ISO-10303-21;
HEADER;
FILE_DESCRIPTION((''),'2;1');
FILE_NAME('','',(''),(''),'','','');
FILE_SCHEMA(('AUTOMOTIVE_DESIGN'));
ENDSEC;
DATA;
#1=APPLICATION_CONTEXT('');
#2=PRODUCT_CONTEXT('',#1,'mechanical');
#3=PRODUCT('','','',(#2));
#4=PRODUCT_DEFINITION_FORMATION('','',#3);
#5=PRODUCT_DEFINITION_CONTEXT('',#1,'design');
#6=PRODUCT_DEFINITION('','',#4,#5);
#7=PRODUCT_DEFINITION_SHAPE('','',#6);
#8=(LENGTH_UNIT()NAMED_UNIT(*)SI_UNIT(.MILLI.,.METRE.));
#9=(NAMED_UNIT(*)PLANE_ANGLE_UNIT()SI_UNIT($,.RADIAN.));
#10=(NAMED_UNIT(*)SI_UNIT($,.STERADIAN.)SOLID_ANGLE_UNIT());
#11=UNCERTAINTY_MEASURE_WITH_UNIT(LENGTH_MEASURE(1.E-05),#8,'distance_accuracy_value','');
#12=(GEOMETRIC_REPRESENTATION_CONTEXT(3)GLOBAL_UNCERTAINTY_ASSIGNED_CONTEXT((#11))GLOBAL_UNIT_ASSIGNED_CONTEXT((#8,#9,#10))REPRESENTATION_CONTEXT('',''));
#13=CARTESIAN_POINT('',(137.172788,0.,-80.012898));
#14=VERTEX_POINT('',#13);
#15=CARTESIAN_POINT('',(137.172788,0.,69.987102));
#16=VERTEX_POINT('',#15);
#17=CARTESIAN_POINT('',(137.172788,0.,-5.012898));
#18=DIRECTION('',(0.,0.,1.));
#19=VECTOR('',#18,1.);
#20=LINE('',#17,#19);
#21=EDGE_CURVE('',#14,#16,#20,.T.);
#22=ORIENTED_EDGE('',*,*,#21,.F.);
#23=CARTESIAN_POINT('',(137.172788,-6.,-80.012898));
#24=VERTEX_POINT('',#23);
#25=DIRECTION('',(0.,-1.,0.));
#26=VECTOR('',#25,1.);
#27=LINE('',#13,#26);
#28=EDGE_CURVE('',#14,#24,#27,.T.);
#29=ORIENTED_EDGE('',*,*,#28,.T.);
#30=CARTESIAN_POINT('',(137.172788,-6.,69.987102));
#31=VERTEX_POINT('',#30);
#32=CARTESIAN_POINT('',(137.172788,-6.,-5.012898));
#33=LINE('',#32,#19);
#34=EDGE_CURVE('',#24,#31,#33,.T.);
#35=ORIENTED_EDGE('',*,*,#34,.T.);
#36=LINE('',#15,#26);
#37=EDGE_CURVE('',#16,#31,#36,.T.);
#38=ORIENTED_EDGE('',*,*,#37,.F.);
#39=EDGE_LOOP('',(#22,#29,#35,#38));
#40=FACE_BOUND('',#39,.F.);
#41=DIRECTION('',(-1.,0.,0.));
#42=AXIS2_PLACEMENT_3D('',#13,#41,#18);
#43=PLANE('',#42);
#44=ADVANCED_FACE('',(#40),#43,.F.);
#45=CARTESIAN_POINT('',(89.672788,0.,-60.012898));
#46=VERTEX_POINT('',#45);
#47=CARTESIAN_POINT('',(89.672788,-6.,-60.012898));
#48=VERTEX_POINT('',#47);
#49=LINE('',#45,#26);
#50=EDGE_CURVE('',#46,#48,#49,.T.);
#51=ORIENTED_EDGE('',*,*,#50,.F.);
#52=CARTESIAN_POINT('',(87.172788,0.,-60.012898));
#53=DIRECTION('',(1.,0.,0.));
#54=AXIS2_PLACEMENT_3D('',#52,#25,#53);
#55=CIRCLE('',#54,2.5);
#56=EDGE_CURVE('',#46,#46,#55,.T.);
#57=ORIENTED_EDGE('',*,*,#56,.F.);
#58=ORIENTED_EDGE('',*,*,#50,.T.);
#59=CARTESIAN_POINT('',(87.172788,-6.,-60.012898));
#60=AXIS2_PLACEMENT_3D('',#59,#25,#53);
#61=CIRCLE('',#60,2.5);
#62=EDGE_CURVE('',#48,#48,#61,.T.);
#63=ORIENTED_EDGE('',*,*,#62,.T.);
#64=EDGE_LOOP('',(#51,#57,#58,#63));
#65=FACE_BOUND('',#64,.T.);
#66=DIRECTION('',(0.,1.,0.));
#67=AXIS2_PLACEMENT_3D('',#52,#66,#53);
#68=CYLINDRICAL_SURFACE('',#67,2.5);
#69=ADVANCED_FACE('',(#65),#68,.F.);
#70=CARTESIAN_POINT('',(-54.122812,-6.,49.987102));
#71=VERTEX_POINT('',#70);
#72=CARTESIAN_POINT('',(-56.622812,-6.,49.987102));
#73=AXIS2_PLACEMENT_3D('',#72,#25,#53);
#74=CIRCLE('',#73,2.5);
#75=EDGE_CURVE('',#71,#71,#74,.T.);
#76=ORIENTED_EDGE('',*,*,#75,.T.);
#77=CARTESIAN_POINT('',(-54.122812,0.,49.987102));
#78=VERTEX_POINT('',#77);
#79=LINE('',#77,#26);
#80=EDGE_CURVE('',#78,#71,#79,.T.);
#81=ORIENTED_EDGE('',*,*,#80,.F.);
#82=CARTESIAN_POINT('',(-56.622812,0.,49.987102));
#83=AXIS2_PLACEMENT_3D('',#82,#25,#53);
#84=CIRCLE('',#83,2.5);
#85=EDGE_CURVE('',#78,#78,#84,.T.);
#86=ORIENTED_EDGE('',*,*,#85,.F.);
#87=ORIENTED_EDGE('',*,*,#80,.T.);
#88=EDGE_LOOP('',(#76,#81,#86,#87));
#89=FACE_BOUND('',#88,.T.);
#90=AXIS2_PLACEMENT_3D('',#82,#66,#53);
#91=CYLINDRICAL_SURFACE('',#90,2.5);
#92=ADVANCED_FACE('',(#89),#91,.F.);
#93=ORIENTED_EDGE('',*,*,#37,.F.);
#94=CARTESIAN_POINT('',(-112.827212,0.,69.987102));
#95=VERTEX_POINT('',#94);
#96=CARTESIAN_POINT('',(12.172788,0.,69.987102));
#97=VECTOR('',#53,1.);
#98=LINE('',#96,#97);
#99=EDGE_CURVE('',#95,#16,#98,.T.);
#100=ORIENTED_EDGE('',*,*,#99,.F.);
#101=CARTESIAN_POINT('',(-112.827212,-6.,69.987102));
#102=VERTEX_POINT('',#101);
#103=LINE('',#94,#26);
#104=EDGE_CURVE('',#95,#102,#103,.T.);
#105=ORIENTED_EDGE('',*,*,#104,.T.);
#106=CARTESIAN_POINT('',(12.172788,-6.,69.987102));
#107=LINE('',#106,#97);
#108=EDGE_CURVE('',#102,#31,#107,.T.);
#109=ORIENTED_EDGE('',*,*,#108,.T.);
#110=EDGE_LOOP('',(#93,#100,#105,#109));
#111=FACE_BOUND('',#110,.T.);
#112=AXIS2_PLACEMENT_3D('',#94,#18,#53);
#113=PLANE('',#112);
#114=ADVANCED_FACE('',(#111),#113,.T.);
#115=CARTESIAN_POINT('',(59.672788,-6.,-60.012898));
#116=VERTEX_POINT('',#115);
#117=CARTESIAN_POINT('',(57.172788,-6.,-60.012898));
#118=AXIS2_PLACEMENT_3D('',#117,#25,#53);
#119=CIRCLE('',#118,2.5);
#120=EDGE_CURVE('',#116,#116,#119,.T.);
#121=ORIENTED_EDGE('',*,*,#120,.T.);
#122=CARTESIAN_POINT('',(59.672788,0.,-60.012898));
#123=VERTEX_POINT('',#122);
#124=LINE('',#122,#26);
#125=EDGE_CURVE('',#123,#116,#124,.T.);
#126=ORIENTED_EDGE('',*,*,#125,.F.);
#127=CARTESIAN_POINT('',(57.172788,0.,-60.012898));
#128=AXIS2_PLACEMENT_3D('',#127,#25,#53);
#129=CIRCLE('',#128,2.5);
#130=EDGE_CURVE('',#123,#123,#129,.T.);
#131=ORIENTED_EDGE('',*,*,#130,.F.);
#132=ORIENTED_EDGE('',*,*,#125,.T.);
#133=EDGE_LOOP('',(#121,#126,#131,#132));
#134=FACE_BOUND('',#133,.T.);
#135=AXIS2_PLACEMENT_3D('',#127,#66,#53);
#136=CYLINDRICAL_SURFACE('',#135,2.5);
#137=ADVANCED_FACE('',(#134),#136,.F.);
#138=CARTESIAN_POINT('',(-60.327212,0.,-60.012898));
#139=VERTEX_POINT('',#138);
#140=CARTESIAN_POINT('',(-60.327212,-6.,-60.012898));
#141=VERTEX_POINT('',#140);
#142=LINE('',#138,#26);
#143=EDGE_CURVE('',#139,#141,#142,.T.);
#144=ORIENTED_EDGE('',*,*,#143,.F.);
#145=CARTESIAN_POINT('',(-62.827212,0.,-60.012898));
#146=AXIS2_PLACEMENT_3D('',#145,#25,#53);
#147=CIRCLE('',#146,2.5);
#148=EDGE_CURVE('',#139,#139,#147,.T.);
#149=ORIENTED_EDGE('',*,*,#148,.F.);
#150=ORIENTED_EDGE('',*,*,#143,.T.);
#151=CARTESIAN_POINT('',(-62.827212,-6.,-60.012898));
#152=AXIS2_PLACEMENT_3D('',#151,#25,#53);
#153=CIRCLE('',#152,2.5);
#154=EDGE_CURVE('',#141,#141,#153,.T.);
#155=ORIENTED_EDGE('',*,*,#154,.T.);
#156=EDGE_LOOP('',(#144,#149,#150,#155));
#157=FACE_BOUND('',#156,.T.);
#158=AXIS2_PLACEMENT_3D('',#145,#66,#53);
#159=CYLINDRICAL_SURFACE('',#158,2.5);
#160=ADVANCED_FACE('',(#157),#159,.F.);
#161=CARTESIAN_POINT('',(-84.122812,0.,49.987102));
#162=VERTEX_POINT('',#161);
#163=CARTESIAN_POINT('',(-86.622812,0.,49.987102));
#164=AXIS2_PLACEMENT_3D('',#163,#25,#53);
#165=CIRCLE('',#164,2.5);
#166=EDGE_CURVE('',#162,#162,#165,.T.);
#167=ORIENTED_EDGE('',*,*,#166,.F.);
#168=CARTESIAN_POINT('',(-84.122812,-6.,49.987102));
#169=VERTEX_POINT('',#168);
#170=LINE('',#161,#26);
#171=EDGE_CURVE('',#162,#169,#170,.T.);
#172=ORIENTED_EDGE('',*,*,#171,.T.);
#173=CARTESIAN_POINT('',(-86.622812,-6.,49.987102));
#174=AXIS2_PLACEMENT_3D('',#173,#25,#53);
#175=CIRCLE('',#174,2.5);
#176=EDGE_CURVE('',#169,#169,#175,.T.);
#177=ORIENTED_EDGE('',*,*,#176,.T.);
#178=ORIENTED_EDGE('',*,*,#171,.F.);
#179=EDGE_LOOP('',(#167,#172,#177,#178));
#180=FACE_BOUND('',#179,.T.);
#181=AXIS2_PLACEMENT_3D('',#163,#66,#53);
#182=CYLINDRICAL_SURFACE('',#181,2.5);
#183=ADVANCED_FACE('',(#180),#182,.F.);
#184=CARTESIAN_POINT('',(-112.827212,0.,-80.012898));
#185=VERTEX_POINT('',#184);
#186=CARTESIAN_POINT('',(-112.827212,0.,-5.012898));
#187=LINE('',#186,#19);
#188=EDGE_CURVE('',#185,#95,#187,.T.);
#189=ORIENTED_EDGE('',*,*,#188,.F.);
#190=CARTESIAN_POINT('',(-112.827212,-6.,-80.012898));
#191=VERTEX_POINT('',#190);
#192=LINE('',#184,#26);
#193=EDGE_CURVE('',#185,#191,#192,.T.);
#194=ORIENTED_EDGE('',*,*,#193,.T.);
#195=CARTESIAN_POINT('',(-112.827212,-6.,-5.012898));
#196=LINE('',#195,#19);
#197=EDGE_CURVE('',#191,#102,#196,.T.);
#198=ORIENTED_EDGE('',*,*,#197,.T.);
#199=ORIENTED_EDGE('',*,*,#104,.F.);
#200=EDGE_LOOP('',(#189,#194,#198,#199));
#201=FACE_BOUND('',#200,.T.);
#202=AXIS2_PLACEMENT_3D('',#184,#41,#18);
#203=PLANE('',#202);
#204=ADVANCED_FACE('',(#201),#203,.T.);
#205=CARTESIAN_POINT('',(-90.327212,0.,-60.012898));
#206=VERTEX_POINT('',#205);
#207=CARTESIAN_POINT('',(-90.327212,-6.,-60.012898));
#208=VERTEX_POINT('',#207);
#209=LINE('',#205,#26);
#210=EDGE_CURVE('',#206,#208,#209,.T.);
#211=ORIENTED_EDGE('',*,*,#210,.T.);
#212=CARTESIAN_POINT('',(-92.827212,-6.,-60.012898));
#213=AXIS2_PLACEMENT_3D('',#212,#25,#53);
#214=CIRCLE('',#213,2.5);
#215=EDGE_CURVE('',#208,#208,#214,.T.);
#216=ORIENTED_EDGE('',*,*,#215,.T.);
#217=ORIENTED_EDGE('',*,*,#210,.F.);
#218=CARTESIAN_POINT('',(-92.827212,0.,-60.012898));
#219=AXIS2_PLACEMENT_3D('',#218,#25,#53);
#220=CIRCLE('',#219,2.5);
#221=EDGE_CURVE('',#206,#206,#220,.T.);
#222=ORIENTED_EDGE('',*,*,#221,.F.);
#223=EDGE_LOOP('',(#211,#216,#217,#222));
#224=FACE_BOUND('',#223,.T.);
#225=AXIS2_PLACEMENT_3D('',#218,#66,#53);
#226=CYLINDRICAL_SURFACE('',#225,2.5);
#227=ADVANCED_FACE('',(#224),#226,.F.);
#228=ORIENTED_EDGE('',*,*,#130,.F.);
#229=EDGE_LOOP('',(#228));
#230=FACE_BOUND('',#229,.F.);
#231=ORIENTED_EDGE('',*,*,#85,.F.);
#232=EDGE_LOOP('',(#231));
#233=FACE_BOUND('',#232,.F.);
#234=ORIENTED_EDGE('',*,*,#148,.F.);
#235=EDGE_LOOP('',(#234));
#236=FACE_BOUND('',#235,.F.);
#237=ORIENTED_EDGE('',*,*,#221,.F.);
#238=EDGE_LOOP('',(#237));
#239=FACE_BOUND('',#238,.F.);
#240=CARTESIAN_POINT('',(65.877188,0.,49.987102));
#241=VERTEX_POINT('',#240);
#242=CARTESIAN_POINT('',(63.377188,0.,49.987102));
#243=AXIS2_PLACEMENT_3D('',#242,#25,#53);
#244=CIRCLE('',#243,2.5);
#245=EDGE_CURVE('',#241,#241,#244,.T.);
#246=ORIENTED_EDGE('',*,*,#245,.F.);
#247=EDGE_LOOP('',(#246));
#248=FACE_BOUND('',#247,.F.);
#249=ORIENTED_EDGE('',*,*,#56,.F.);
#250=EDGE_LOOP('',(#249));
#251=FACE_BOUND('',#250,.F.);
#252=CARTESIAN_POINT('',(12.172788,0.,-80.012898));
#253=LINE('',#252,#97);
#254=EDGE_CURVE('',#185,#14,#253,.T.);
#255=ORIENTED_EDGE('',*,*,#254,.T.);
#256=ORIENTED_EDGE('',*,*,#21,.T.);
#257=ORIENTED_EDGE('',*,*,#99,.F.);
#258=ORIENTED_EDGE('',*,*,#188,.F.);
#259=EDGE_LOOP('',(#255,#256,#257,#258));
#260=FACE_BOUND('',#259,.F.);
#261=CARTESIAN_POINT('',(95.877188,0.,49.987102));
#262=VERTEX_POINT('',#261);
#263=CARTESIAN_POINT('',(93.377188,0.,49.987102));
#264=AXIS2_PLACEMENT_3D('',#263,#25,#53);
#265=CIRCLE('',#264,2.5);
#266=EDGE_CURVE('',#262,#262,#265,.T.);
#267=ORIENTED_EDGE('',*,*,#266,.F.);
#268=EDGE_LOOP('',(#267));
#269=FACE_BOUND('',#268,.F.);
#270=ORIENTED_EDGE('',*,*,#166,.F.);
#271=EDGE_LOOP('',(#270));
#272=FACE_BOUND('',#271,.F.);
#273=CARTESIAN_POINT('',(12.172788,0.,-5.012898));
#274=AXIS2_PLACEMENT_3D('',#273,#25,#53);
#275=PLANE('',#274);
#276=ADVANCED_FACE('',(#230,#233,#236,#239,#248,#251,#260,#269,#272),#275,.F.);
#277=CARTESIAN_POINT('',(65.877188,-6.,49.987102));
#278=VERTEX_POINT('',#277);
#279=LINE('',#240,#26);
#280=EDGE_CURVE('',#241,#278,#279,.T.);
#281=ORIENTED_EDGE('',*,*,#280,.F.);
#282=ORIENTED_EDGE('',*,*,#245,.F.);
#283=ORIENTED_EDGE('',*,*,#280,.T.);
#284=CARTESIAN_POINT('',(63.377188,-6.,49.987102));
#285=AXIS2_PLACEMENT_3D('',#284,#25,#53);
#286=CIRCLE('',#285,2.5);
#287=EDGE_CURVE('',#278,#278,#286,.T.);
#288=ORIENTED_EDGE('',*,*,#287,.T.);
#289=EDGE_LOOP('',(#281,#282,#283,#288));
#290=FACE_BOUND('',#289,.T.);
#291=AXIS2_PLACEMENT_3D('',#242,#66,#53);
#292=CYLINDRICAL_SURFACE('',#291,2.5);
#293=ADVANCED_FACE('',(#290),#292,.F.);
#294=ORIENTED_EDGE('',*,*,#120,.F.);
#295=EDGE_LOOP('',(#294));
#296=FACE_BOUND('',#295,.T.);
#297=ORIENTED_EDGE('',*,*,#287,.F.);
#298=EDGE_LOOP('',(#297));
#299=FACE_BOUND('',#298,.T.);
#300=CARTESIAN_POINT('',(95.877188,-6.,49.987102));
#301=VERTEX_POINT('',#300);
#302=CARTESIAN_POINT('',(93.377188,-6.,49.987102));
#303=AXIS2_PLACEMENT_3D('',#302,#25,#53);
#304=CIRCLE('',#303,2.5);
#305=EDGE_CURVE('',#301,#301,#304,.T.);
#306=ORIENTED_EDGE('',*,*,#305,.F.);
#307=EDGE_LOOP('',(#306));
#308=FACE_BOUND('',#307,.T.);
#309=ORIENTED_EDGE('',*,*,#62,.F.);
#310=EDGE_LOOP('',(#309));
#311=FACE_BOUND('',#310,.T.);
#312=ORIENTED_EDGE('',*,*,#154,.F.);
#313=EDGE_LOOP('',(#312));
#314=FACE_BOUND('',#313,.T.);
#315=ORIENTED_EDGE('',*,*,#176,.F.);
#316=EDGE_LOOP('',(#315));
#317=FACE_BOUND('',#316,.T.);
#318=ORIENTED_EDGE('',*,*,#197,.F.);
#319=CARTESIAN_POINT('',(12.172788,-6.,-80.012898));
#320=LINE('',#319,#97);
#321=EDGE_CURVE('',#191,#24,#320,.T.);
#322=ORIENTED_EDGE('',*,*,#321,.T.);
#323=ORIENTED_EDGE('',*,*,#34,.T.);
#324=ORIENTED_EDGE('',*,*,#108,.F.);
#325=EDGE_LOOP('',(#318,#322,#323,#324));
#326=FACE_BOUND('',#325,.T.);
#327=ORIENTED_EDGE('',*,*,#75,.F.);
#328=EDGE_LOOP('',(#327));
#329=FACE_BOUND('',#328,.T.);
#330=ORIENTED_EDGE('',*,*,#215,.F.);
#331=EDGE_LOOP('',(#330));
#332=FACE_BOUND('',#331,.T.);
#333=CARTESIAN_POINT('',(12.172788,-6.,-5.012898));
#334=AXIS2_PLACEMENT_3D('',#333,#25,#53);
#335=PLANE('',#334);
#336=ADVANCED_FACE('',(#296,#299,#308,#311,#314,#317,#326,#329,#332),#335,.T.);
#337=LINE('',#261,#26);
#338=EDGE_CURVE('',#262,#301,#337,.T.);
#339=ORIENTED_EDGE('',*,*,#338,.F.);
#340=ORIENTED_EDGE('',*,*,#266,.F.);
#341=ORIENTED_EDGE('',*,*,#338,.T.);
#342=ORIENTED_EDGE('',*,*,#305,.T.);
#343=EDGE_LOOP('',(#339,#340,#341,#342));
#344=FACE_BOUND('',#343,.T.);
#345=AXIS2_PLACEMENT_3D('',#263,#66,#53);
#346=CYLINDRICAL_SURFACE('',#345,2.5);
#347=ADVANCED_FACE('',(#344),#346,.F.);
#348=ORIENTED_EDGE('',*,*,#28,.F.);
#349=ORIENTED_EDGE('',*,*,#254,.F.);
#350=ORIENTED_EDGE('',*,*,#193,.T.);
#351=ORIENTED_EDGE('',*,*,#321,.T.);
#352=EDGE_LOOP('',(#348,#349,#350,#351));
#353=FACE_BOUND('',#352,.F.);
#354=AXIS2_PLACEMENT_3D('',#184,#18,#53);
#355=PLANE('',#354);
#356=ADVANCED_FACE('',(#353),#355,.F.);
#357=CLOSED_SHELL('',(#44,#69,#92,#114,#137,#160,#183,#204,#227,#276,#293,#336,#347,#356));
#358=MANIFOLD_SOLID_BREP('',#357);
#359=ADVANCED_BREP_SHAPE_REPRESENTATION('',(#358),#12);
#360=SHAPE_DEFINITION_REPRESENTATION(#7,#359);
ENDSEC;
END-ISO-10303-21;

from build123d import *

# Parameters (mm, degrees)
F0_W     = 250
F0_H     = 150
F0_R     = 2.5
F1_DEPTH = 6


with BuildPart() as f1:
    # F0 (on Front) → F1 (new body)
    with BuildSketch(Plane.XZ):
        with Locations((12.172788, -5.012898)):
            Rectangle(F0_W, F0_H)
        with Locations((-92.827212, -60.012898)):
            Circle(F0_R, mode=Mode.SUBTRACT)
        with Locations((-62.827212, -60.012898)):
            Circle(F0_R, mode=Mode.SUBTRACT)
        with Locations((57.172788, -60.012898)):
            Circle(F0_R, mode=Mode.SUBTRACT)
        with Locations((87.172788, -60.012898)):
            Circle(F0_R, mode=Mode.SUBTRACT)
        with Locations((-86.622812, 49.987102)):
            Circle(F0_R, mode=Mode.SUBTRACT)
        with Locations((-56.622812, 49.987102)):
            Circle(F0_R, mode=Mode.SUBTRACT)
        with Locations((63.377188, 49.987102)):
            Circle(F0_R, mode=Mode.SUBTRACT)
        with Locations((93.377188, 49.987102)):
            Circle(F0_R, mode=Mode.SUBTRACT)
    extrude(amount=F1_DEPTH)


solid = f1.part
